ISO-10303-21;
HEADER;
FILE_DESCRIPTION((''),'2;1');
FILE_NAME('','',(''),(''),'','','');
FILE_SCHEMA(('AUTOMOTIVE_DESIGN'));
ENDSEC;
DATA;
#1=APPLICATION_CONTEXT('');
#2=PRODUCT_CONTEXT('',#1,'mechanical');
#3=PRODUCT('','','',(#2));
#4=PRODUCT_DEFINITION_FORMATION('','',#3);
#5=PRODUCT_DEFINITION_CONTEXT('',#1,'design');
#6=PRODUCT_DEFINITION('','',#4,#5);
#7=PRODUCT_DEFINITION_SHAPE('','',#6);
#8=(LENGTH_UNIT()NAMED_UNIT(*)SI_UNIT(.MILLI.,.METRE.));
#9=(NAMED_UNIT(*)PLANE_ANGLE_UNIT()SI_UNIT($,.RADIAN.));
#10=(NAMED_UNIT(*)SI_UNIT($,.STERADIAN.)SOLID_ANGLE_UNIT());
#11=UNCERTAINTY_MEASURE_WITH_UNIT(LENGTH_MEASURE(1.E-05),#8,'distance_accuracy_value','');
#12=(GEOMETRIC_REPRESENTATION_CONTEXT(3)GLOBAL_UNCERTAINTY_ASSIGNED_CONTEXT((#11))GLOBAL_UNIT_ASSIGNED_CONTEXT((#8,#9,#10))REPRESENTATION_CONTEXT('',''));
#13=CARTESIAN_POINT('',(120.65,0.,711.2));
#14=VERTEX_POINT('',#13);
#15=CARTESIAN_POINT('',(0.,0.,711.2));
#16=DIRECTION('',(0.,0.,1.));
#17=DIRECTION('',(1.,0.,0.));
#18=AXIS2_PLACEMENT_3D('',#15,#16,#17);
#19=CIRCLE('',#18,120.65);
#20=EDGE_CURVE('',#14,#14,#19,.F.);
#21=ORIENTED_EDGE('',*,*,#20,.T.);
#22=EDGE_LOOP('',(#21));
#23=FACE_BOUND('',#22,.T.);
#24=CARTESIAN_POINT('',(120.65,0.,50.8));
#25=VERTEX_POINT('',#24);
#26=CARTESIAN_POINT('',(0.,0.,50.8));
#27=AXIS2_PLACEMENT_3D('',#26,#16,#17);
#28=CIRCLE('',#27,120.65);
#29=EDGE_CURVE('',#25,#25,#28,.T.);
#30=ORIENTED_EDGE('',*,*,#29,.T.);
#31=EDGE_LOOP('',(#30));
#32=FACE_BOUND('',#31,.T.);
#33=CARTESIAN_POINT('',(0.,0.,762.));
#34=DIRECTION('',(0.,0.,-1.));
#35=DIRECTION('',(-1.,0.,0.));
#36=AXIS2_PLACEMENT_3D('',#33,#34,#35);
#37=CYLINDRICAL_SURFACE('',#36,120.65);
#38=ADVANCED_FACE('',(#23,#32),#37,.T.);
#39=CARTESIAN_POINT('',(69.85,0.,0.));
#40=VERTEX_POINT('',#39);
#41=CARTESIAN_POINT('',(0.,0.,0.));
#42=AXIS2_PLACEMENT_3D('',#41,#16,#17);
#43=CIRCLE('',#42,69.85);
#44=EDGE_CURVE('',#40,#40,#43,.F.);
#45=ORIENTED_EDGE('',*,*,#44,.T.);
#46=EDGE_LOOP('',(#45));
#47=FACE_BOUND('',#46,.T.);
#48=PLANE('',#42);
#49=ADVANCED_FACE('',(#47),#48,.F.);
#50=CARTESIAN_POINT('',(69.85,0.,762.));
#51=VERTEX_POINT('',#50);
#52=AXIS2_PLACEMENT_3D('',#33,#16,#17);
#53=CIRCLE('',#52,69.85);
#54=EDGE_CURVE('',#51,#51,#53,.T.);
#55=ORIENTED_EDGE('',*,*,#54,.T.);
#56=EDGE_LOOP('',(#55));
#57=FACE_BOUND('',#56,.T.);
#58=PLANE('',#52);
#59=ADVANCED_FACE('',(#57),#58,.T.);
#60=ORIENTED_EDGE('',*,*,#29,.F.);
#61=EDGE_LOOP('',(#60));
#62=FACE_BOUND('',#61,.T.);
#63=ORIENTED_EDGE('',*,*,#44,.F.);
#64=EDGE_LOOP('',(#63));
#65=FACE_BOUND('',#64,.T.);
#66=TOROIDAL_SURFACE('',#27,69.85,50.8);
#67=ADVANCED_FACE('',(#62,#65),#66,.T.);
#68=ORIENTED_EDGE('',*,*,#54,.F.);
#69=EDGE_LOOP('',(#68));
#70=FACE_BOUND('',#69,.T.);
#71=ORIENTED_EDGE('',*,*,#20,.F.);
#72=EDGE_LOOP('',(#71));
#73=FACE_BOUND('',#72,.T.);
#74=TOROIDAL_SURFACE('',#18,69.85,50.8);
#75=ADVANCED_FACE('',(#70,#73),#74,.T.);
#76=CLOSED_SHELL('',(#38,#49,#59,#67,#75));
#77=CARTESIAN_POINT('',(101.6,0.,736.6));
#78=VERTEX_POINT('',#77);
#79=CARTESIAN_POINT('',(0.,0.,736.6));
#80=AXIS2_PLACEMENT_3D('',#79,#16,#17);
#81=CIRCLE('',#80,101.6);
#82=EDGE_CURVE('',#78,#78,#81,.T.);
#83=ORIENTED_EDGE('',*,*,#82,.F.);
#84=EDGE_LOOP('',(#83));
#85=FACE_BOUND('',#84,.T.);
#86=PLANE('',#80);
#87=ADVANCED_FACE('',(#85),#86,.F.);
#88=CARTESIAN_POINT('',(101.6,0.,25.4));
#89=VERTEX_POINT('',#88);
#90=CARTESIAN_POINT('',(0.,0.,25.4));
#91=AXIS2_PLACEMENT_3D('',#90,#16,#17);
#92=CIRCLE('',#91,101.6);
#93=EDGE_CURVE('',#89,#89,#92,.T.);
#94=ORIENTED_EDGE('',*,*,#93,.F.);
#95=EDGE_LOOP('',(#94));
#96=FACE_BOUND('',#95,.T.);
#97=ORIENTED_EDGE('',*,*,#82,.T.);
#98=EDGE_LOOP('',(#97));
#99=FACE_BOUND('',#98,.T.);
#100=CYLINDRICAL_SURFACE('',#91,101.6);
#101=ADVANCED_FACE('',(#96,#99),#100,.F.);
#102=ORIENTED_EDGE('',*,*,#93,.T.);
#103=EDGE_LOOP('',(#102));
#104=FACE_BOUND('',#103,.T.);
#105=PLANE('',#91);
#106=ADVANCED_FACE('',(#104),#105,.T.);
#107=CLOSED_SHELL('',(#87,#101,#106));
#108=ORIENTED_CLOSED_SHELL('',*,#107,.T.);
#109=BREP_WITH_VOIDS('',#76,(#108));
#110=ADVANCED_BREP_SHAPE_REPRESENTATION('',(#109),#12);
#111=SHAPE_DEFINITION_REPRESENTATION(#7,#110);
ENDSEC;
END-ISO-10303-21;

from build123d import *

# Parameters (mm, degrees)
SKETCH1_R           = 120.65
BOSS_EXTRUDE1_DEPTH = 762
FILLET2_R           = 50.8
CUT_EXTRUDE1_START  = -25.4
SKETCH2_R           = 101.6
CUT_EXTRUDE1_DEPTH  = 711.2


with BuildPart() as part:
    # Sketch1 → Boss-Extrude1 (new body)
    with BuildSketch(Plane.XY):
        Circle(SKETCH1_R)
    extrude(amount=BOSS_EXTRUDE1_DEPTH)

    # Fillet2
    fillet2_edges = [part.edges().sort_by_distance(p)[0] for p in [
        (-120.65, 0, 0),
        (-120.65, 0, 762),
    ]]
    fillet(fillet2_edges, radius=FILLET2_R)

    # Sketch2 → Cut-Extrude1 (cut)
    with BuildSketch(Plane.XY.offset(762).offset(CUT_EXTRUDE1_START)):
        Circle(SKETCH2_R)
    extrude(amount=-CUT_EXTRUDE1_DEPTH, mode=Mode.SUBTRACT)


solid = part.part
